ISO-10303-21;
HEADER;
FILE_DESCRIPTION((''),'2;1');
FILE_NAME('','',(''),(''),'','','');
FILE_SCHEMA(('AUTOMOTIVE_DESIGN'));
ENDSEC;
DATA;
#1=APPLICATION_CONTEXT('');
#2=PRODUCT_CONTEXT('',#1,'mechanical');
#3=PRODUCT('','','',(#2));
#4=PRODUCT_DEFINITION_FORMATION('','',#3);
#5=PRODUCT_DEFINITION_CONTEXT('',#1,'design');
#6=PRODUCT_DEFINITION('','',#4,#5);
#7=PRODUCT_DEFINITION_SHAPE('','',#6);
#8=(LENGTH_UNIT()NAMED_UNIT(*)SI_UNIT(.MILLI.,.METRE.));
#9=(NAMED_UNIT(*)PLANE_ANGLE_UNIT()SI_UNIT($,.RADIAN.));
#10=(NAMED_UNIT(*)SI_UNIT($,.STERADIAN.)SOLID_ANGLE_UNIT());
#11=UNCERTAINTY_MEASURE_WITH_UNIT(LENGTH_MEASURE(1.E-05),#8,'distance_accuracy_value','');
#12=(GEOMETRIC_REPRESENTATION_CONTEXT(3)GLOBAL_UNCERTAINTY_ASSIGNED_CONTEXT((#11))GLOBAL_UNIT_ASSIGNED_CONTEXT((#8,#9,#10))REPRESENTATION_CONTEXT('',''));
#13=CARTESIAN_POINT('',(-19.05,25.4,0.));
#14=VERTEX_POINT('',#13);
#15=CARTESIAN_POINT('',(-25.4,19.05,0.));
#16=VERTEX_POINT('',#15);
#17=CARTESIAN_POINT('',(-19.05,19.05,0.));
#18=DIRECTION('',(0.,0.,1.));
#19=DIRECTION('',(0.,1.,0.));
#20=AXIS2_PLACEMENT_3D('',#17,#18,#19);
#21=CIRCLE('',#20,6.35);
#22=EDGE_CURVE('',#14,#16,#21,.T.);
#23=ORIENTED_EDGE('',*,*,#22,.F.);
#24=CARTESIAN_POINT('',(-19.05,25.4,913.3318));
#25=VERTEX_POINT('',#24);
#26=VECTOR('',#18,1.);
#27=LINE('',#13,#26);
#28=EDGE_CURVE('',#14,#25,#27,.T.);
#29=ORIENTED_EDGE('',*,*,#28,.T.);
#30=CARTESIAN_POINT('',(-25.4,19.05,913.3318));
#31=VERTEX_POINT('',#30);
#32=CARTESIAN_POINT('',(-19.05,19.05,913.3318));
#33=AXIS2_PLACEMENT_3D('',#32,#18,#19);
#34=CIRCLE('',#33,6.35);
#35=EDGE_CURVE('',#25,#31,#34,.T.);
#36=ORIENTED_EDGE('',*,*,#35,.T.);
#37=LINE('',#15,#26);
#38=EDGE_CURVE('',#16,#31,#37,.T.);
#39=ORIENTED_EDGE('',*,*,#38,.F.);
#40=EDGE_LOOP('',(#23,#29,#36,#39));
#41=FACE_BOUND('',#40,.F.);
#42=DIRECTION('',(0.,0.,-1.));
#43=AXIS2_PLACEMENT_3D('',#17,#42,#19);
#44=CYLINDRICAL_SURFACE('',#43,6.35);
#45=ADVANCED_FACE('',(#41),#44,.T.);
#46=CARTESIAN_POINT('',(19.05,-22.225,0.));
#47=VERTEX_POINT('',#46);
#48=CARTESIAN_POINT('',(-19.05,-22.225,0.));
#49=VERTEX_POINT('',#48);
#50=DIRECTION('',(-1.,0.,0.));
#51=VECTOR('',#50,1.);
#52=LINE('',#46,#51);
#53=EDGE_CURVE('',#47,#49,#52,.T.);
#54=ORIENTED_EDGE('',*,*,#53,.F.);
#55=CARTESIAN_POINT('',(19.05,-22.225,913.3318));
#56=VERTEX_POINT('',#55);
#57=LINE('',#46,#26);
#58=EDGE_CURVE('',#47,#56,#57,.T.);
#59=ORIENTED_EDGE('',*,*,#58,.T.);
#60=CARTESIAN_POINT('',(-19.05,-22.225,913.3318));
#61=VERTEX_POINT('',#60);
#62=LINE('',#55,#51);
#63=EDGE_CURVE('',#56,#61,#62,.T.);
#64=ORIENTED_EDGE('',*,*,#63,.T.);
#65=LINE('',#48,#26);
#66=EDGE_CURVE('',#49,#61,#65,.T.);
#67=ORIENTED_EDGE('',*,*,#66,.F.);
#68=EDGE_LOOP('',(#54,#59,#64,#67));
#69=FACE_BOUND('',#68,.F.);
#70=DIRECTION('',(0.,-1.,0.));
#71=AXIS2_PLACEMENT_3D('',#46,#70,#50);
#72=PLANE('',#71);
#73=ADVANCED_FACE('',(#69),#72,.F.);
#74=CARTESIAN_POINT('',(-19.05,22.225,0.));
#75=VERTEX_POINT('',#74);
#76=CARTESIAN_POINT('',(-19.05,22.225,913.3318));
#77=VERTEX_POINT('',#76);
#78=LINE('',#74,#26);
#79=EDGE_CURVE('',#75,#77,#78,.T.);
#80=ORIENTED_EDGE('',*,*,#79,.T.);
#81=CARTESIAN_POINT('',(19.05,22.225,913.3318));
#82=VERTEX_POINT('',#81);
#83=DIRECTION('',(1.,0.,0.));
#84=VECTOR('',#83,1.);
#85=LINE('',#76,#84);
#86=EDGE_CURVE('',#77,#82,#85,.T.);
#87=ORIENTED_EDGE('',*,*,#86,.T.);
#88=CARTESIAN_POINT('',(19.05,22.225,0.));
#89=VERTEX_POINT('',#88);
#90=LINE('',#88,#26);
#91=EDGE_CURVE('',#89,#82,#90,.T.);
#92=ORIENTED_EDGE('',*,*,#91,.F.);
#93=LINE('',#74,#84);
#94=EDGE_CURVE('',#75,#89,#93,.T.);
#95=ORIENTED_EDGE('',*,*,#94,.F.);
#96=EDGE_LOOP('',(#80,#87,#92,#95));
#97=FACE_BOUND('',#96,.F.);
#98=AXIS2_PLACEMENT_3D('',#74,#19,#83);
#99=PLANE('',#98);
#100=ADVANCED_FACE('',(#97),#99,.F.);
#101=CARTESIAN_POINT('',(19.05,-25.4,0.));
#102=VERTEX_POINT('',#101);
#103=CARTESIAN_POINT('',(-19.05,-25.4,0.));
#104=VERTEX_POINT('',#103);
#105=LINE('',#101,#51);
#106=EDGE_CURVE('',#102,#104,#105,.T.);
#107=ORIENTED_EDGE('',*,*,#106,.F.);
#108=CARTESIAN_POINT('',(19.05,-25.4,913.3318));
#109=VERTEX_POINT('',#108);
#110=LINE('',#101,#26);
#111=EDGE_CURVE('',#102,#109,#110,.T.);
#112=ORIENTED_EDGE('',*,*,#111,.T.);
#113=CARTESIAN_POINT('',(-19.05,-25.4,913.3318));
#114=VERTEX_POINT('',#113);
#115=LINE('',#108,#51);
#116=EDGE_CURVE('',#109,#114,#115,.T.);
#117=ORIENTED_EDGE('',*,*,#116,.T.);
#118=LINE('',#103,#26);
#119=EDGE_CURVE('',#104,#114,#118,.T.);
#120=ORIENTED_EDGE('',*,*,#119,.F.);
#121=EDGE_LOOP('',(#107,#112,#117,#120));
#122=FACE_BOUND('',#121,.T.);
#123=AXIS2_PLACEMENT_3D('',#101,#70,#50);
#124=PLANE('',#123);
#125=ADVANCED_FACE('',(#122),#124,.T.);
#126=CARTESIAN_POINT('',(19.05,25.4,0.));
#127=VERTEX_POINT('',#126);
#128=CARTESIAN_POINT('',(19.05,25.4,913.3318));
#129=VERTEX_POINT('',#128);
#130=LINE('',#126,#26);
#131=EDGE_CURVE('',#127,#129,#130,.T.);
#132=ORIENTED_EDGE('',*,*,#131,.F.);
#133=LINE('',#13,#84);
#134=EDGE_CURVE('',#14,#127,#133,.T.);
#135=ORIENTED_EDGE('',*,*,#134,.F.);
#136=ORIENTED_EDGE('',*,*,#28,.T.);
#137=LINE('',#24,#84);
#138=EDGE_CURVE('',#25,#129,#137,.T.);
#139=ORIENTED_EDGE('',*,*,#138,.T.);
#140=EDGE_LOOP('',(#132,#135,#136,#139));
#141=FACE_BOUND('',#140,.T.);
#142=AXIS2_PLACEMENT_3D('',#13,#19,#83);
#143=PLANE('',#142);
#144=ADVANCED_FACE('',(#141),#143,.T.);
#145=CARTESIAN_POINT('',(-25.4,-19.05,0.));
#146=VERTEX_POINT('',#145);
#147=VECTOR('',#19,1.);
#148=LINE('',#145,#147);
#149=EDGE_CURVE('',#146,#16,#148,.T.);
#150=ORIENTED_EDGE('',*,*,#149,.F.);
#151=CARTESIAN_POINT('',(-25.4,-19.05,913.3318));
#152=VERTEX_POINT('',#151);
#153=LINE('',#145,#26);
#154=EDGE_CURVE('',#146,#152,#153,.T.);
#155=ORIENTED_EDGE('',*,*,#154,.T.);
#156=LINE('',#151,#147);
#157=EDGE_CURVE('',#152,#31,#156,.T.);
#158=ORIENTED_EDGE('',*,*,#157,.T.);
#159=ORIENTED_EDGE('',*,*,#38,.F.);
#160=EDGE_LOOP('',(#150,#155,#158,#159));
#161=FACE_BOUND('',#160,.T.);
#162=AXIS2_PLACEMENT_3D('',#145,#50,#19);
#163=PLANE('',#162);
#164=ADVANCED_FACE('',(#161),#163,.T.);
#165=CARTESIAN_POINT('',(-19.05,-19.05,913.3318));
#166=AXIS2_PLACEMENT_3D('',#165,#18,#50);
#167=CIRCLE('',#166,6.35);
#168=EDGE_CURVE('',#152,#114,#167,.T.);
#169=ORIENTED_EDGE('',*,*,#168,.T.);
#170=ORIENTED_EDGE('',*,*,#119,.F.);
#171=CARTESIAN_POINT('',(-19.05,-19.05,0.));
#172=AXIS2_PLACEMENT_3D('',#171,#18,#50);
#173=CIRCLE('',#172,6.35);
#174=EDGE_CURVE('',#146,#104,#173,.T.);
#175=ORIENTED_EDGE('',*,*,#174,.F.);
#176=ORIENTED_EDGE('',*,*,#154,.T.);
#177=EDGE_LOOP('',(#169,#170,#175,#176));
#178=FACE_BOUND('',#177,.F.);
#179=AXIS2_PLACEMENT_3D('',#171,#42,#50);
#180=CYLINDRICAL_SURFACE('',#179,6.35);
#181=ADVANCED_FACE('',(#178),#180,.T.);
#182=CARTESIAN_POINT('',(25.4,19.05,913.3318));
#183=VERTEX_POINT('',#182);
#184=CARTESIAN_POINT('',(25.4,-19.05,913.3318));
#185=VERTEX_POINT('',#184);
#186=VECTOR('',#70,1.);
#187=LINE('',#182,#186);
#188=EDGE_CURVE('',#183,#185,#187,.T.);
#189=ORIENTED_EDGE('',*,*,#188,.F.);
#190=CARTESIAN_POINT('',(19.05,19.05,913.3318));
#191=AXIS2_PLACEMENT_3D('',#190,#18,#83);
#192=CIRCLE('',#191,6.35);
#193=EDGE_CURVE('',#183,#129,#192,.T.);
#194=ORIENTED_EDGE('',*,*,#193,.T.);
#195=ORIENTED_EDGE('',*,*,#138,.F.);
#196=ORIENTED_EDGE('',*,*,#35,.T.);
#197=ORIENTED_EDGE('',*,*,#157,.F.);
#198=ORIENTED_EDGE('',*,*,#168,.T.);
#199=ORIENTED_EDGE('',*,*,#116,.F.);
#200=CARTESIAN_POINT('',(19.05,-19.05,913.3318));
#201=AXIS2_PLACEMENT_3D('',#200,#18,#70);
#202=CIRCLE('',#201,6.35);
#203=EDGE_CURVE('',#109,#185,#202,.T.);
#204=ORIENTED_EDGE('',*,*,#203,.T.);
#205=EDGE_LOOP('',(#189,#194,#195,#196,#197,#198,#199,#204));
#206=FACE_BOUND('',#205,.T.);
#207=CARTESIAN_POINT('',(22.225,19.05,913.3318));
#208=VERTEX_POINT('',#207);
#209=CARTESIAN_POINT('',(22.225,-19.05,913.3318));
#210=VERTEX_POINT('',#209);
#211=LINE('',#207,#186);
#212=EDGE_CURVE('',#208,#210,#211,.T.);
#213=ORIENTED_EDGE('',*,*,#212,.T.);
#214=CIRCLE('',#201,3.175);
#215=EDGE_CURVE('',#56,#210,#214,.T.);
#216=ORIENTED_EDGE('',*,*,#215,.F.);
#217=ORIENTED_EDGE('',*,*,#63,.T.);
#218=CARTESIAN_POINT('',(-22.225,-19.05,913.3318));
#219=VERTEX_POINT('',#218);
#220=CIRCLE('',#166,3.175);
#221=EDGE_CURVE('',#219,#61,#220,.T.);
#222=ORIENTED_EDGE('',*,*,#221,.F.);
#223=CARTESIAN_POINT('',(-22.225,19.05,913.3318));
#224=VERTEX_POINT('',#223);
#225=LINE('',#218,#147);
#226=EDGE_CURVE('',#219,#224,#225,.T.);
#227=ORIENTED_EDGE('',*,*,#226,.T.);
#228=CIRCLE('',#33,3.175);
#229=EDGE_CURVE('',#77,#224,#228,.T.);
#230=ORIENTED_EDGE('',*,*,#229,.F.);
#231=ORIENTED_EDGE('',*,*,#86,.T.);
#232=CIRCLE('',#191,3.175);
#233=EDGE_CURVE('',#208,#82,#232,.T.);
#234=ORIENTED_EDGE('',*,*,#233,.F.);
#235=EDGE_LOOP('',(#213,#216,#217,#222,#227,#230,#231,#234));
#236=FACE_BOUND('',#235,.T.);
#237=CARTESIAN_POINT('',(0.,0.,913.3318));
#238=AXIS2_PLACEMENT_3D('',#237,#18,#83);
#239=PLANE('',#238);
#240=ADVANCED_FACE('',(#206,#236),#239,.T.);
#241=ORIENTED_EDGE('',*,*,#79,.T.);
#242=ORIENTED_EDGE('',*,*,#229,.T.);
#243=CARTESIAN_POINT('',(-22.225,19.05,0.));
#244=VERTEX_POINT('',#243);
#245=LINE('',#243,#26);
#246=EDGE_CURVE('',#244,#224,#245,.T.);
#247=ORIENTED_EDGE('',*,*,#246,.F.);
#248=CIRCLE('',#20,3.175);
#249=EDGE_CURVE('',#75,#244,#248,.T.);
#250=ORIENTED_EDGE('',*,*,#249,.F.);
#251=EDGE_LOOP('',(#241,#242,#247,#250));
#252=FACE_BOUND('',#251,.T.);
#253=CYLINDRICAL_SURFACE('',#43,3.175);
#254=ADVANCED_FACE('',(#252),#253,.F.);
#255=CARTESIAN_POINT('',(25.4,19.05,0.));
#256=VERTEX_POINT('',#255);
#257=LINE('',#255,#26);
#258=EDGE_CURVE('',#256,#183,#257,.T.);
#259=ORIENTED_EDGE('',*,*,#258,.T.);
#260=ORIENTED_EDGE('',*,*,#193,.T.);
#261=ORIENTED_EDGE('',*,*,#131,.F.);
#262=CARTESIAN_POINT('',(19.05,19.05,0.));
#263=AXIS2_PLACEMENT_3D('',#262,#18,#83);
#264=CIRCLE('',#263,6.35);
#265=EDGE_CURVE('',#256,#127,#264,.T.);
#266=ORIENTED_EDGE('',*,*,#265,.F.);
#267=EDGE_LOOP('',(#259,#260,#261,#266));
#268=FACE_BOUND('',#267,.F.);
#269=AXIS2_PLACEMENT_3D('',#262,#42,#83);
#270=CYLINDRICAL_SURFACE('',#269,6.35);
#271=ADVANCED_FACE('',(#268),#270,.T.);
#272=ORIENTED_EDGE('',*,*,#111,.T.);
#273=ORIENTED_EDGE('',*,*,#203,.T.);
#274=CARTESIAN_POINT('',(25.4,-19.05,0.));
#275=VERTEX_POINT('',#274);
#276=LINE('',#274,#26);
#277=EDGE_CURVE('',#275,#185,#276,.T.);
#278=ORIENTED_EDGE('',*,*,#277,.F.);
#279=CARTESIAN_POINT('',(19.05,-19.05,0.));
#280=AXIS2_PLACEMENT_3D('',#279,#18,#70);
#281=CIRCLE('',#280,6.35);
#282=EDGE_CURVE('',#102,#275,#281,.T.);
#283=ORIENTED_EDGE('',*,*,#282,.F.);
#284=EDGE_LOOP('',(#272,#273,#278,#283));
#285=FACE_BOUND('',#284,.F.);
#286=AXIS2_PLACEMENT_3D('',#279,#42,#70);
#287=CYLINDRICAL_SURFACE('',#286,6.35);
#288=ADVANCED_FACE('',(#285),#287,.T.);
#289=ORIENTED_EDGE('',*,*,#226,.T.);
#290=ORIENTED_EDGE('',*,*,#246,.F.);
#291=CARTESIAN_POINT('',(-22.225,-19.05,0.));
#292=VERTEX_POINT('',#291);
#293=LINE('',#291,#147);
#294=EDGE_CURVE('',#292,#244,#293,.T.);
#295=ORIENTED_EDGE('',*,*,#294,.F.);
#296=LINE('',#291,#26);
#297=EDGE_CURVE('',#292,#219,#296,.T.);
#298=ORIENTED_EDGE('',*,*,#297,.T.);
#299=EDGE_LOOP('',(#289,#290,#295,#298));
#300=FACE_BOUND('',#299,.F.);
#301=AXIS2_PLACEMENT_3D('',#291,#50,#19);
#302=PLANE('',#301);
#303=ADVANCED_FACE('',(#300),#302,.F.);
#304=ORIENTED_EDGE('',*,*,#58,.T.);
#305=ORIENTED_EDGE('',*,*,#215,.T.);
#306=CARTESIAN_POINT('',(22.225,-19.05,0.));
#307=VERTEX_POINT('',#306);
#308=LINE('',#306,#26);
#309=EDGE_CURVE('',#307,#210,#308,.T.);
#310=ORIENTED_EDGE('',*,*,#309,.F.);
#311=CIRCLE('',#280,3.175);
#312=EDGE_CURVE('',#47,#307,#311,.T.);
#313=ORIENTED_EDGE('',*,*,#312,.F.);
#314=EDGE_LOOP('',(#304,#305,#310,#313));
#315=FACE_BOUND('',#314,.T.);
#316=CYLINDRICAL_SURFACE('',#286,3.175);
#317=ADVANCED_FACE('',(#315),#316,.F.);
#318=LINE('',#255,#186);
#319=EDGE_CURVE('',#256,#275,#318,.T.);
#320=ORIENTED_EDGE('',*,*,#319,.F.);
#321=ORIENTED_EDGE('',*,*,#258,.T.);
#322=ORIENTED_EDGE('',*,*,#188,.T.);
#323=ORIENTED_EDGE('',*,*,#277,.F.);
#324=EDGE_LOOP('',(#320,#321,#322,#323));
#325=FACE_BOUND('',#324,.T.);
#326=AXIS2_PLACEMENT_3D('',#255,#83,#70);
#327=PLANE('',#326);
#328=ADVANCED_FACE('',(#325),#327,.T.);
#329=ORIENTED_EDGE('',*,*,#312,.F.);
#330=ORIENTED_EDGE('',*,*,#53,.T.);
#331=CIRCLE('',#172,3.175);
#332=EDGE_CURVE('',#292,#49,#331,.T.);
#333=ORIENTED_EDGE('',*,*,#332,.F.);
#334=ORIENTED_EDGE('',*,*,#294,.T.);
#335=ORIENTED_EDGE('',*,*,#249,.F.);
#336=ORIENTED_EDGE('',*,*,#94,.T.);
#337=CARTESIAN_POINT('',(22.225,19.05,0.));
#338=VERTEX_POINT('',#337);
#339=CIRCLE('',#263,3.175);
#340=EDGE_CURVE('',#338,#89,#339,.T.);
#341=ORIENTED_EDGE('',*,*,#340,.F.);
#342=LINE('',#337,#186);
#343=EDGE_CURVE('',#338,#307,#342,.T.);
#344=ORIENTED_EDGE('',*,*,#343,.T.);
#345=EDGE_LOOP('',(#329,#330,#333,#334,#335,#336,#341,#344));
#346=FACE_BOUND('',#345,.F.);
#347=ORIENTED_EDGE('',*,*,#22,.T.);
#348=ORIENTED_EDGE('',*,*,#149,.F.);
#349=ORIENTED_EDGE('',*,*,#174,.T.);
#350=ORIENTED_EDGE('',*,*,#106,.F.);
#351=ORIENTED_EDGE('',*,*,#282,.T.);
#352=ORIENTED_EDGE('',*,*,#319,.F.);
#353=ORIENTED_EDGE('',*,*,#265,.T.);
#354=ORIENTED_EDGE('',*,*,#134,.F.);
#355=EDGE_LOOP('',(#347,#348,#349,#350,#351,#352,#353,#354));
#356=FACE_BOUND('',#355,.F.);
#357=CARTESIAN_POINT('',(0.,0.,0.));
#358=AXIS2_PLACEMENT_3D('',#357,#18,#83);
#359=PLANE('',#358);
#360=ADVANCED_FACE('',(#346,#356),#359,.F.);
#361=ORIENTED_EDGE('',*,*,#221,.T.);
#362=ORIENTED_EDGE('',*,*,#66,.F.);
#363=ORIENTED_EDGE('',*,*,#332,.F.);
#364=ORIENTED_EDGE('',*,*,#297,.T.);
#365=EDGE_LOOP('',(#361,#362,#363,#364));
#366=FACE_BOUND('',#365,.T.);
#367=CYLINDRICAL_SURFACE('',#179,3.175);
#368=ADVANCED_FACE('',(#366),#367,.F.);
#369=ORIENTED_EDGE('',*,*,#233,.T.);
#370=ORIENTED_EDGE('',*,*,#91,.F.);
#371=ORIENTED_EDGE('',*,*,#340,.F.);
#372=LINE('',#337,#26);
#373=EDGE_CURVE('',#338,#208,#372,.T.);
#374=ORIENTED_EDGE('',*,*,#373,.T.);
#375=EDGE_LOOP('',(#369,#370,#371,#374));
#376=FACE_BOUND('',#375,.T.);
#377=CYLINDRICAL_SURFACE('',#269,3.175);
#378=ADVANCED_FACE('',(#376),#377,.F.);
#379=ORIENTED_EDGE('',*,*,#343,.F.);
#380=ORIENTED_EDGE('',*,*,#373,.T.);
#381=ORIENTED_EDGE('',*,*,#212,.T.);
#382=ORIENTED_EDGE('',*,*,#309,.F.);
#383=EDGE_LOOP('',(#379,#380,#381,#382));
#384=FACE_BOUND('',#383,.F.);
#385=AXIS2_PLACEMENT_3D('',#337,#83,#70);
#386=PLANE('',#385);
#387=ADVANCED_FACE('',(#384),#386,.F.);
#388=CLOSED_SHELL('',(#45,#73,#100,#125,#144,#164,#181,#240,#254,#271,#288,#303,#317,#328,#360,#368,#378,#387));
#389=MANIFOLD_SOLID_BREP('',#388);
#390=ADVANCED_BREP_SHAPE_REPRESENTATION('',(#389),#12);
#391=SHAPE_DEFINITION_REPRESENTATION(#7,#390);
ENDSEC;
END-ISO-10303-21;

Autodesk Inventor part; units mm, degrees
ref_plane "YZ Plane" through (0, 0, 0) normal (1, 0, 0) x (0, 1, 0)
ref_plane "Start plane" through (0, 0, 0) normal (0, 0, 1) x (1, 0, 0)
ref_plane "End plane" through (0, 0, 913.3318) normal (0, 0, 1) x (1, 0, 0)
sketch "Sketch" plane through (0, 0, 0) normal (0, 0, 1) x (1, 0, 0)
  line L0 (-25.4, -19.05) -> (-25.4, 19.05)
  line L1 (-19.05, 25.4) -> (19.05, 25.4)
  line L2 (25.4, 19.05) -> (25.4, -19.05)
  line L3 (19.05, -25.4) -> (-19.05, -25.4)
  arc A0 (-25.4, -19.05) -> (-19.05, -25.4) centre (-19.05, -19.05) ccw
  arc A1 (-19.05, 25.4) -> (-25.4, 19.05) centre (-19.05, 19.05) ccw
  arc A2 (25.4, 19.05) -> (19.05, 25.4) centre (19.05, 19.05) ccw
  arc A3 (19.05, -25.4) -> (25.4, -19.05) centre (19.05, -19.05) ccw
  arc A4 (-19.05, 22.225) -> (-22.225, 19.05) centre (-19.05, 19.05) ccw
  line L4 (-19.05, 22.225) -> (19.05, 22.225)
  arc A5 (22.225, 19.05) -> (19.05, 22.225) centre (19.05, 19.05) ccw
  line L5 (22.225, 19.05) -> (22.225, -19.05)
  arc A6 (19.05, -22.225) -> (22.225, -19.05) centre (19.05, -19.05) ccw
  line L6 (19.05, -22.225) -> (-19.05, -22.225)
  arc A7 (-22.225, -19.05) -> (-19.05, -22.225) centre (-19.05, -19.05) ccw
  line L7 (-22.225, -19.05) -> (-22.225, 19.05)
  line L8 (0, 37.4012) -> (0, -37.4012) construction
  line L9 (-37.4012, 0) -> (37.4012, 0) construction
  dimension "d10" = 50.8
  dimension "d11" = 50.8
  dimension "d12" = 3.175
  dimension "d15" = 25.4
  dimension "d16" = 25.4
  dimension "d17" = 6.35
extrude "Body" add sketch "Sketch" along normal up to surface (913.3318 mm away) from surface at 0
sketch "Sketch3" plane through (0, 0, 0) normal (0, 0, 1) x (1, 0, 0)
  line L0 (0, 0) -> (10, 0)
ref_plane "Work Plane3" through (0, 0, 0) normal (0, -1, 0) x (1, 0, 0)
sketch "Sketch4" plane through (0, 0, 0) normal (0, -1, 0) x (1, 0, 0)
  line L0 (-2, 0) -> (12, 0)
  line L1 (-2, 913.3318) -> (12, 913.3318)
  dimension "d19" = 913.3318
equation "\"d10\" = G_H"
equation "\"d11\" = G_W"
equation "\"d12\" = G_T"
equation "\"d15\" = 0.5 * d10"
equation "\"d16\" = 0.5 * d11"
equation "\"d17\" = G_IR"
equation "\"d3\" = G_L"
equation "\"G_W\" = 50.8"
equation "\"G_H\" = 50.8"
equation "\"G_T\" = 3.175"
equation "\"G_IR\" = 6.35"
equation "\"G_L\" = d19"
equation "\"G_OFFSET_START\" = 0"
equation "\"G_OFFSET_END\" = 0"
equation "\"d14\" = G_OFFSET_END + B_L"
equation "\"B_L\" = 913.3318"
properties part number "AISC HSS - 2 x 2 x 1/8 - 35.958" material "Steel, Mild"
